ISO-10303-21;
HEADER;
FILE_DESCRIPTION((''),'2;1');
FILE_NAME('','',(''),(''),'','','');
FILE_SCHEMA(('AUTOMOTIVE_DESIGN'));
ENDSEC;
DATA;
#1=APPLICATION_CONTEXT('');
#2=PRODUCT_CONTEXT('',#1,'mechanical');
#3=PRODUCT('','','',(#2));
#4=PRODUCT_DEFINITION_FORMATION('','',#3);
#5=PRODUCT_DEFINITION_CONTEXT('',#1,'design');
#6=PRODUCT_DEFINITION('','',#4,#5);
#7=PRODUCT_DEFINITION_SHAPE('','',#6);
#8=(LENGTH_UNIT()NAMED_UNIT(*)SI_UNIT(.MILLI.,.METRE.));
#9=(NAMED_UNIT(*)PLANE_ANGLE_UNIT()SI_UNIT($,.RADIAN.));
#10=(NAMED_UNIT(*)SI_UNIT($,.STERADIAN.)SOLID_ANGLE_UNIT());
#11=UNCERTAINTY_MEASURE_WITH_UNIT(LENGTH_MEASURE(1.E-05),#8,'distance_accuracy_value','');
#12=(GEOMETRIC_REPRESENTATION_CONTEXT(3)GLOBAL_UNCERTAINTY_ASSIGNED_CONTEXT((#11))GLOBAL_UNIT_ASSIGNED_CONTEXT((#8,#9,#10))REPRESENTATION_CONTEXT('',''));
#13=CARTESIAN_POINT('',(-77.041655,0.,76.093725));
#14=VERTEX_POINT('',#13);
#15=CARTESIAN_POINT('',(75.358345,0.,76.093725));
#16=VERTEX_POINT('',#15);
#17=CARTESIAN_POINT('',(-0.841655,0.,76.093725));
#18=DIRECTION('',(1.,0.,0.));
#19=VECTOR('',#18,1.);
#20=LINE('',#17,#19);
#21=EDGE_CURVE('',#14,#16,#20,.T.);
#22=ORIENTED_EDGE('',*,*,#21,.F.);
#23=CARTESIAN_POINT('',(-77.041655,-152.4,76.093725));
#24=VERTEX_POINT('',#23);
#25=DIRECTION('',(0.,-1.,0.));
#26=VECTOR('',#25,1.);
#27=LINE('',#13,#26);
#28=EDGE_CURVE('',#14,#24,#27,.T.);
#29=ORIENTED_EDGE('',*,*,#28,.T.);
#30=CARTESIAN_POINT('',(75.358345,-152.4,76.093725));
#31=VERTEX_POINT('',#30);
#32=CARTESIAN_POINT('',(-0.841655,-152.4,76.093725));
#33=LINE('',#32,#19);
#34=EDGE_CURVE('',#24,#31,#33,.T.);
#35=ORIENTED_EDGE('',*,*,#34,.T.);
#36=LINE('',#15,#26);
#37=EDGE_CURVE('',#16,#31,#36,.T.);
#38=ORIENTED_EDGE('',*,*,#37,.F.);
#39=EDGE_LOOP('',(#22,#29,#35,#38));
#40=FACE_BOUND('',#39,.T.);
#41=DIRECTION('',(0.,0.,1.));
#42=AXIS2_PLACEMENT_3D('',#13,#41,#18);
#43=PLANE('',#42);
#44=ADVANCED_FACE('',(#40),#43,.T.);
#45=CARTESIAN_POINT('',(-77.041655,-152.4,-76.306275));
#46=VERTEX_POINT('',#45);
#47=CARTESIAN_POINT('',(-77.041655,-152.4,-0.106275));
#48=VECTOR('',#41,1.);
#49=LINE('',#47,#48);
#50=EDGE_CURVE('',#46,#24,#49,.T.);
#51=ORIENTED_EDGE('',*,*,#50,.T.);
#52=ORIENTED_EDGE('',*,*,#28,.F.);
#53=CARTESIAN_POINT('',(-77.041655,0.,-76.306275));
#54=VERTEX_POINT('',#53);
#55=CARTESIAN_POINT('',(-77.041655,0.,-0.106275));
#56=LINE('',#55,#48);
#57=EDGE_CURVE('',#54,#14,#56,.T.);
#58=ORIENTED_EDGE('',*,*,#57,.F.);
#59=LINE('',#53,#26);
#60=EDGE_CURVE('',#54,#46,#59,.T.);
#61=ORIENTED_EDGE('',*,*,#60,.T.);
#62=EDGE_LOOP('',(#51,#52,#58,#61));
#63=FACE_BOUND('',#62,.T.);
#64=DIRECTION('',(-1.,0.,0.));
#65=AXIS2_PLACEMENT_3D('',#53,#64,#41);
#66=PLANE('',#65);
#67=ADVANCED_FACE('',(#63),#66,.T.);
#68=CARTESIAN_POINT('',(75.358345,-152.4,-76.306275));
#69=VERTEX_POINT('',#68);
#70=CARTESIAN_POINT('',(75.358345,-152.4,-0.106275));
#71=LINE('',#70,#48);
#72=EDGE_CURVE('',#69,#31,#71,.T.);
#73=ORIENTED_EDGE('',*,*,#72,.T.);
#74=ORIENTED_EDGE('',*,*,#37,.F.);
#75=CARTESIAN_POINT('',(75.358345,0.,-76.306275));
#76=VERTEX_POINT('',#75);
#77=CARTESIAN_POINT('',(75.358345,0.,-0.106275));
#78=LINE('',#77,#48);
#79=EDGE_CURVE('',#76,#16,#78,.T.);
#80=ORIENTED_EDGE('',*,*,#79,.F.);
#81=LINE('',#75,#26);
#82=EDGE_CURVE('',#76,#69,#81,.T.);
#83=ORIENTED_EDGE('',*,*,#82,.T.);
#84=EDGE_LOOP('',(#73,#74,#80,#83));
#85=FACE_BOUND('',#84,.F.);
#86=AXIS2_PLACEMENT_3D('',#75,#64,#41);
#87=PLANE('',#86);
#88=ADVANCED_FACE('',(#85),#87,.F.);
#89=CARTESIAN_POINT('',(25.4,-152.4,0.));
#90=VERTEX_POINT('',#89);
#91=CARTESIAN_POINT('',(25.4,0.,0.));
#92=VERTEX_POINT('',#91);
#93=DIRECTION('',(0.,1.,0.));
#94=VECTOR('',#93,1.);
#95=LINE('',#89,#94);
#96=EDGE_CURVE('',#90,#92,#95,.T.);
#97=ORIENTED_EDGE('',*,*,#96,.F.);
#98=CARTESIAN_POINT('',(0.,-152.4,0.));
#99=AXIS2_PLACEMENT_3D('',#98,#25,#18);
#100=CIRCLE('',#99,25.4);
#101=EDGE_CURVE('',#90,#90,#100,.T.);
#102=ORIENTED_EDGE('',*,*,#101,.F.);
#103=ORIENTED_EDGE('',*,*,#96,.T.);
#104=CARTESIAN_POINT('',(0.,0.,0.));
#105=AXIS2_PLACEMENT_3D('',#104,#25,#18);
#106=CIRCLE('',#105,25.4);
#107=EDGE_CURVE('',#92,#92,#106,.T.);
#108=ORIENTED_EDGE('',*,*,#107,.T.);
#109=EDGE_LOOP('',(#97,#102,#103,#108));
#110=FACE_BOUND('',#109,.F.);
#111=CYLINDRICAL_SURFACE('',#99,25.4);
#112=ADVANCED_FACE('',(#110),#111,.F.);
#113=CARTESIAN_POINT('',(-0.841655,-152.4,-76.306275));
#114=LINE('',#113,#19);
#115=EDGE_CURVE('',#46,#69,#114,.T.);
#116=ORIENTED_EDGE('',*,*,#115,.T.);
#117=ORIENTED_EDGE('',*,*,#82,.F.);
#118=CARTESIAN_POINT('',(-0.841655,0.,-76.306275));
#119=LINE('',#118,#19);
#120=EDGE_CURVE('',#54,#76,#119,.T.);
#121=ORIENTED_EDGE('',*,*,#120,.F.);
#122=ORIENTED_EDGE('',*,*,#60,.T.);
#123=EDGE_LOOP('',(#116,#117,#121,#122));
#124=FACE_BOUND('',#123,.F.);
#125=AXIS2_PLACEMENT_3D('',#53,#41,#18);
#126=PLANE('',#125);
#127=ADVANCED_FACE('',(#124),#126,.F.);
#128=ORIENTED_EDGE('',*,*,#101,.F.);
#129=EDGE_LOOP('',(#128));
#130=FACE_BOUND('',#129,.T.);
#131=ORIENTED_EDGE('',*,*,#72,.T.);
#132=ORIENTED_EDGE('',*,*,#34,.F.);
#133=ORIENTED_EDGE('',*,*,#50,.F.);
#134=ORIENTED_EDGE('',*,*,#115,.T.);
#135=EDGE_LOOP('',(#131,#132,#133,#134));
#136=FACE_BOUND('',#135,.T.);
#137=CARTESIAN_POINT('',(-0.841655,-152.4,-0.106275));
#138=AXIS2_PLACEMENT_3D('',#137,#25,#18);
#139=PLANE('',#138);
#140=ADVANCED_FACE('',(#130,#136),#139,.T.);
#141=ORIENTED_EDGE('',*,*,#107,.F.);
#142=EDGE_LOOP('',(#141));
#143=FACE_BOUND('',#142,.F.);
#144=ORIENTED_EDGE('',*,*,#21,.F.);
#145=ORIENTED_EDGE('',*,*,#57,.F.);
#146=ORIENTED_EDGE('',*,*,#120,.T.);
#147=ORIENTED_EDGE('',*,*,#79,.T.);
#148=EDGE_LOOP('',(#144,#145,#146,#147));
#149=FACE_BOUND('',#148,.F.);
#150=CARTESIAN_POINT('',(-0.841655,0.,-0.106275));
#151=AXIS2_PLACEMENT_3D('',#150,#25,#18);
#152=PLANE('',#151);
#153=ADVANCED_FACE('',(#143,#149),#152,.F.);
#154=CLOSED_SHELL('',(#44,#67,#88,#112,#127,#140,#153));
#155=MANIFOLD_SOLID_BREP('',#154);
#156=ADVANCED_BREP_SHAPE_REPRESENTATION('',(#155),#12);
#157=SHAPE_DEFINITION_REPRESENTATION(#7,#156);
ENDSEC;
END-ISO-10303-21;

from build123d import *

# Parameters (mm, degrees)
F0_W     = 152.4
F0_H     = 152.4
F1_DEPTH = 152.4
F2_R     = 25.4
F3_DEPTH = 152.4


with BuildPart() as f1:
    # F0 (on Front) → F1 (new body)
    with BuildSketch(Plane.XZ):
        with Locations((-0.841655, -0.106275)):
            Rectangle(F0_W, F0_H)
    extrude(amount=F1_DEPTH)

    # F2 (on face) → F3 (cut)
    with BuildSketch(Plane.XZ.offset(152.4)):
        Circle(F2_R)
    extrude(amount=-F3_DEPTH, mode=Mode.SUBTRACT)


solid = f1.part
